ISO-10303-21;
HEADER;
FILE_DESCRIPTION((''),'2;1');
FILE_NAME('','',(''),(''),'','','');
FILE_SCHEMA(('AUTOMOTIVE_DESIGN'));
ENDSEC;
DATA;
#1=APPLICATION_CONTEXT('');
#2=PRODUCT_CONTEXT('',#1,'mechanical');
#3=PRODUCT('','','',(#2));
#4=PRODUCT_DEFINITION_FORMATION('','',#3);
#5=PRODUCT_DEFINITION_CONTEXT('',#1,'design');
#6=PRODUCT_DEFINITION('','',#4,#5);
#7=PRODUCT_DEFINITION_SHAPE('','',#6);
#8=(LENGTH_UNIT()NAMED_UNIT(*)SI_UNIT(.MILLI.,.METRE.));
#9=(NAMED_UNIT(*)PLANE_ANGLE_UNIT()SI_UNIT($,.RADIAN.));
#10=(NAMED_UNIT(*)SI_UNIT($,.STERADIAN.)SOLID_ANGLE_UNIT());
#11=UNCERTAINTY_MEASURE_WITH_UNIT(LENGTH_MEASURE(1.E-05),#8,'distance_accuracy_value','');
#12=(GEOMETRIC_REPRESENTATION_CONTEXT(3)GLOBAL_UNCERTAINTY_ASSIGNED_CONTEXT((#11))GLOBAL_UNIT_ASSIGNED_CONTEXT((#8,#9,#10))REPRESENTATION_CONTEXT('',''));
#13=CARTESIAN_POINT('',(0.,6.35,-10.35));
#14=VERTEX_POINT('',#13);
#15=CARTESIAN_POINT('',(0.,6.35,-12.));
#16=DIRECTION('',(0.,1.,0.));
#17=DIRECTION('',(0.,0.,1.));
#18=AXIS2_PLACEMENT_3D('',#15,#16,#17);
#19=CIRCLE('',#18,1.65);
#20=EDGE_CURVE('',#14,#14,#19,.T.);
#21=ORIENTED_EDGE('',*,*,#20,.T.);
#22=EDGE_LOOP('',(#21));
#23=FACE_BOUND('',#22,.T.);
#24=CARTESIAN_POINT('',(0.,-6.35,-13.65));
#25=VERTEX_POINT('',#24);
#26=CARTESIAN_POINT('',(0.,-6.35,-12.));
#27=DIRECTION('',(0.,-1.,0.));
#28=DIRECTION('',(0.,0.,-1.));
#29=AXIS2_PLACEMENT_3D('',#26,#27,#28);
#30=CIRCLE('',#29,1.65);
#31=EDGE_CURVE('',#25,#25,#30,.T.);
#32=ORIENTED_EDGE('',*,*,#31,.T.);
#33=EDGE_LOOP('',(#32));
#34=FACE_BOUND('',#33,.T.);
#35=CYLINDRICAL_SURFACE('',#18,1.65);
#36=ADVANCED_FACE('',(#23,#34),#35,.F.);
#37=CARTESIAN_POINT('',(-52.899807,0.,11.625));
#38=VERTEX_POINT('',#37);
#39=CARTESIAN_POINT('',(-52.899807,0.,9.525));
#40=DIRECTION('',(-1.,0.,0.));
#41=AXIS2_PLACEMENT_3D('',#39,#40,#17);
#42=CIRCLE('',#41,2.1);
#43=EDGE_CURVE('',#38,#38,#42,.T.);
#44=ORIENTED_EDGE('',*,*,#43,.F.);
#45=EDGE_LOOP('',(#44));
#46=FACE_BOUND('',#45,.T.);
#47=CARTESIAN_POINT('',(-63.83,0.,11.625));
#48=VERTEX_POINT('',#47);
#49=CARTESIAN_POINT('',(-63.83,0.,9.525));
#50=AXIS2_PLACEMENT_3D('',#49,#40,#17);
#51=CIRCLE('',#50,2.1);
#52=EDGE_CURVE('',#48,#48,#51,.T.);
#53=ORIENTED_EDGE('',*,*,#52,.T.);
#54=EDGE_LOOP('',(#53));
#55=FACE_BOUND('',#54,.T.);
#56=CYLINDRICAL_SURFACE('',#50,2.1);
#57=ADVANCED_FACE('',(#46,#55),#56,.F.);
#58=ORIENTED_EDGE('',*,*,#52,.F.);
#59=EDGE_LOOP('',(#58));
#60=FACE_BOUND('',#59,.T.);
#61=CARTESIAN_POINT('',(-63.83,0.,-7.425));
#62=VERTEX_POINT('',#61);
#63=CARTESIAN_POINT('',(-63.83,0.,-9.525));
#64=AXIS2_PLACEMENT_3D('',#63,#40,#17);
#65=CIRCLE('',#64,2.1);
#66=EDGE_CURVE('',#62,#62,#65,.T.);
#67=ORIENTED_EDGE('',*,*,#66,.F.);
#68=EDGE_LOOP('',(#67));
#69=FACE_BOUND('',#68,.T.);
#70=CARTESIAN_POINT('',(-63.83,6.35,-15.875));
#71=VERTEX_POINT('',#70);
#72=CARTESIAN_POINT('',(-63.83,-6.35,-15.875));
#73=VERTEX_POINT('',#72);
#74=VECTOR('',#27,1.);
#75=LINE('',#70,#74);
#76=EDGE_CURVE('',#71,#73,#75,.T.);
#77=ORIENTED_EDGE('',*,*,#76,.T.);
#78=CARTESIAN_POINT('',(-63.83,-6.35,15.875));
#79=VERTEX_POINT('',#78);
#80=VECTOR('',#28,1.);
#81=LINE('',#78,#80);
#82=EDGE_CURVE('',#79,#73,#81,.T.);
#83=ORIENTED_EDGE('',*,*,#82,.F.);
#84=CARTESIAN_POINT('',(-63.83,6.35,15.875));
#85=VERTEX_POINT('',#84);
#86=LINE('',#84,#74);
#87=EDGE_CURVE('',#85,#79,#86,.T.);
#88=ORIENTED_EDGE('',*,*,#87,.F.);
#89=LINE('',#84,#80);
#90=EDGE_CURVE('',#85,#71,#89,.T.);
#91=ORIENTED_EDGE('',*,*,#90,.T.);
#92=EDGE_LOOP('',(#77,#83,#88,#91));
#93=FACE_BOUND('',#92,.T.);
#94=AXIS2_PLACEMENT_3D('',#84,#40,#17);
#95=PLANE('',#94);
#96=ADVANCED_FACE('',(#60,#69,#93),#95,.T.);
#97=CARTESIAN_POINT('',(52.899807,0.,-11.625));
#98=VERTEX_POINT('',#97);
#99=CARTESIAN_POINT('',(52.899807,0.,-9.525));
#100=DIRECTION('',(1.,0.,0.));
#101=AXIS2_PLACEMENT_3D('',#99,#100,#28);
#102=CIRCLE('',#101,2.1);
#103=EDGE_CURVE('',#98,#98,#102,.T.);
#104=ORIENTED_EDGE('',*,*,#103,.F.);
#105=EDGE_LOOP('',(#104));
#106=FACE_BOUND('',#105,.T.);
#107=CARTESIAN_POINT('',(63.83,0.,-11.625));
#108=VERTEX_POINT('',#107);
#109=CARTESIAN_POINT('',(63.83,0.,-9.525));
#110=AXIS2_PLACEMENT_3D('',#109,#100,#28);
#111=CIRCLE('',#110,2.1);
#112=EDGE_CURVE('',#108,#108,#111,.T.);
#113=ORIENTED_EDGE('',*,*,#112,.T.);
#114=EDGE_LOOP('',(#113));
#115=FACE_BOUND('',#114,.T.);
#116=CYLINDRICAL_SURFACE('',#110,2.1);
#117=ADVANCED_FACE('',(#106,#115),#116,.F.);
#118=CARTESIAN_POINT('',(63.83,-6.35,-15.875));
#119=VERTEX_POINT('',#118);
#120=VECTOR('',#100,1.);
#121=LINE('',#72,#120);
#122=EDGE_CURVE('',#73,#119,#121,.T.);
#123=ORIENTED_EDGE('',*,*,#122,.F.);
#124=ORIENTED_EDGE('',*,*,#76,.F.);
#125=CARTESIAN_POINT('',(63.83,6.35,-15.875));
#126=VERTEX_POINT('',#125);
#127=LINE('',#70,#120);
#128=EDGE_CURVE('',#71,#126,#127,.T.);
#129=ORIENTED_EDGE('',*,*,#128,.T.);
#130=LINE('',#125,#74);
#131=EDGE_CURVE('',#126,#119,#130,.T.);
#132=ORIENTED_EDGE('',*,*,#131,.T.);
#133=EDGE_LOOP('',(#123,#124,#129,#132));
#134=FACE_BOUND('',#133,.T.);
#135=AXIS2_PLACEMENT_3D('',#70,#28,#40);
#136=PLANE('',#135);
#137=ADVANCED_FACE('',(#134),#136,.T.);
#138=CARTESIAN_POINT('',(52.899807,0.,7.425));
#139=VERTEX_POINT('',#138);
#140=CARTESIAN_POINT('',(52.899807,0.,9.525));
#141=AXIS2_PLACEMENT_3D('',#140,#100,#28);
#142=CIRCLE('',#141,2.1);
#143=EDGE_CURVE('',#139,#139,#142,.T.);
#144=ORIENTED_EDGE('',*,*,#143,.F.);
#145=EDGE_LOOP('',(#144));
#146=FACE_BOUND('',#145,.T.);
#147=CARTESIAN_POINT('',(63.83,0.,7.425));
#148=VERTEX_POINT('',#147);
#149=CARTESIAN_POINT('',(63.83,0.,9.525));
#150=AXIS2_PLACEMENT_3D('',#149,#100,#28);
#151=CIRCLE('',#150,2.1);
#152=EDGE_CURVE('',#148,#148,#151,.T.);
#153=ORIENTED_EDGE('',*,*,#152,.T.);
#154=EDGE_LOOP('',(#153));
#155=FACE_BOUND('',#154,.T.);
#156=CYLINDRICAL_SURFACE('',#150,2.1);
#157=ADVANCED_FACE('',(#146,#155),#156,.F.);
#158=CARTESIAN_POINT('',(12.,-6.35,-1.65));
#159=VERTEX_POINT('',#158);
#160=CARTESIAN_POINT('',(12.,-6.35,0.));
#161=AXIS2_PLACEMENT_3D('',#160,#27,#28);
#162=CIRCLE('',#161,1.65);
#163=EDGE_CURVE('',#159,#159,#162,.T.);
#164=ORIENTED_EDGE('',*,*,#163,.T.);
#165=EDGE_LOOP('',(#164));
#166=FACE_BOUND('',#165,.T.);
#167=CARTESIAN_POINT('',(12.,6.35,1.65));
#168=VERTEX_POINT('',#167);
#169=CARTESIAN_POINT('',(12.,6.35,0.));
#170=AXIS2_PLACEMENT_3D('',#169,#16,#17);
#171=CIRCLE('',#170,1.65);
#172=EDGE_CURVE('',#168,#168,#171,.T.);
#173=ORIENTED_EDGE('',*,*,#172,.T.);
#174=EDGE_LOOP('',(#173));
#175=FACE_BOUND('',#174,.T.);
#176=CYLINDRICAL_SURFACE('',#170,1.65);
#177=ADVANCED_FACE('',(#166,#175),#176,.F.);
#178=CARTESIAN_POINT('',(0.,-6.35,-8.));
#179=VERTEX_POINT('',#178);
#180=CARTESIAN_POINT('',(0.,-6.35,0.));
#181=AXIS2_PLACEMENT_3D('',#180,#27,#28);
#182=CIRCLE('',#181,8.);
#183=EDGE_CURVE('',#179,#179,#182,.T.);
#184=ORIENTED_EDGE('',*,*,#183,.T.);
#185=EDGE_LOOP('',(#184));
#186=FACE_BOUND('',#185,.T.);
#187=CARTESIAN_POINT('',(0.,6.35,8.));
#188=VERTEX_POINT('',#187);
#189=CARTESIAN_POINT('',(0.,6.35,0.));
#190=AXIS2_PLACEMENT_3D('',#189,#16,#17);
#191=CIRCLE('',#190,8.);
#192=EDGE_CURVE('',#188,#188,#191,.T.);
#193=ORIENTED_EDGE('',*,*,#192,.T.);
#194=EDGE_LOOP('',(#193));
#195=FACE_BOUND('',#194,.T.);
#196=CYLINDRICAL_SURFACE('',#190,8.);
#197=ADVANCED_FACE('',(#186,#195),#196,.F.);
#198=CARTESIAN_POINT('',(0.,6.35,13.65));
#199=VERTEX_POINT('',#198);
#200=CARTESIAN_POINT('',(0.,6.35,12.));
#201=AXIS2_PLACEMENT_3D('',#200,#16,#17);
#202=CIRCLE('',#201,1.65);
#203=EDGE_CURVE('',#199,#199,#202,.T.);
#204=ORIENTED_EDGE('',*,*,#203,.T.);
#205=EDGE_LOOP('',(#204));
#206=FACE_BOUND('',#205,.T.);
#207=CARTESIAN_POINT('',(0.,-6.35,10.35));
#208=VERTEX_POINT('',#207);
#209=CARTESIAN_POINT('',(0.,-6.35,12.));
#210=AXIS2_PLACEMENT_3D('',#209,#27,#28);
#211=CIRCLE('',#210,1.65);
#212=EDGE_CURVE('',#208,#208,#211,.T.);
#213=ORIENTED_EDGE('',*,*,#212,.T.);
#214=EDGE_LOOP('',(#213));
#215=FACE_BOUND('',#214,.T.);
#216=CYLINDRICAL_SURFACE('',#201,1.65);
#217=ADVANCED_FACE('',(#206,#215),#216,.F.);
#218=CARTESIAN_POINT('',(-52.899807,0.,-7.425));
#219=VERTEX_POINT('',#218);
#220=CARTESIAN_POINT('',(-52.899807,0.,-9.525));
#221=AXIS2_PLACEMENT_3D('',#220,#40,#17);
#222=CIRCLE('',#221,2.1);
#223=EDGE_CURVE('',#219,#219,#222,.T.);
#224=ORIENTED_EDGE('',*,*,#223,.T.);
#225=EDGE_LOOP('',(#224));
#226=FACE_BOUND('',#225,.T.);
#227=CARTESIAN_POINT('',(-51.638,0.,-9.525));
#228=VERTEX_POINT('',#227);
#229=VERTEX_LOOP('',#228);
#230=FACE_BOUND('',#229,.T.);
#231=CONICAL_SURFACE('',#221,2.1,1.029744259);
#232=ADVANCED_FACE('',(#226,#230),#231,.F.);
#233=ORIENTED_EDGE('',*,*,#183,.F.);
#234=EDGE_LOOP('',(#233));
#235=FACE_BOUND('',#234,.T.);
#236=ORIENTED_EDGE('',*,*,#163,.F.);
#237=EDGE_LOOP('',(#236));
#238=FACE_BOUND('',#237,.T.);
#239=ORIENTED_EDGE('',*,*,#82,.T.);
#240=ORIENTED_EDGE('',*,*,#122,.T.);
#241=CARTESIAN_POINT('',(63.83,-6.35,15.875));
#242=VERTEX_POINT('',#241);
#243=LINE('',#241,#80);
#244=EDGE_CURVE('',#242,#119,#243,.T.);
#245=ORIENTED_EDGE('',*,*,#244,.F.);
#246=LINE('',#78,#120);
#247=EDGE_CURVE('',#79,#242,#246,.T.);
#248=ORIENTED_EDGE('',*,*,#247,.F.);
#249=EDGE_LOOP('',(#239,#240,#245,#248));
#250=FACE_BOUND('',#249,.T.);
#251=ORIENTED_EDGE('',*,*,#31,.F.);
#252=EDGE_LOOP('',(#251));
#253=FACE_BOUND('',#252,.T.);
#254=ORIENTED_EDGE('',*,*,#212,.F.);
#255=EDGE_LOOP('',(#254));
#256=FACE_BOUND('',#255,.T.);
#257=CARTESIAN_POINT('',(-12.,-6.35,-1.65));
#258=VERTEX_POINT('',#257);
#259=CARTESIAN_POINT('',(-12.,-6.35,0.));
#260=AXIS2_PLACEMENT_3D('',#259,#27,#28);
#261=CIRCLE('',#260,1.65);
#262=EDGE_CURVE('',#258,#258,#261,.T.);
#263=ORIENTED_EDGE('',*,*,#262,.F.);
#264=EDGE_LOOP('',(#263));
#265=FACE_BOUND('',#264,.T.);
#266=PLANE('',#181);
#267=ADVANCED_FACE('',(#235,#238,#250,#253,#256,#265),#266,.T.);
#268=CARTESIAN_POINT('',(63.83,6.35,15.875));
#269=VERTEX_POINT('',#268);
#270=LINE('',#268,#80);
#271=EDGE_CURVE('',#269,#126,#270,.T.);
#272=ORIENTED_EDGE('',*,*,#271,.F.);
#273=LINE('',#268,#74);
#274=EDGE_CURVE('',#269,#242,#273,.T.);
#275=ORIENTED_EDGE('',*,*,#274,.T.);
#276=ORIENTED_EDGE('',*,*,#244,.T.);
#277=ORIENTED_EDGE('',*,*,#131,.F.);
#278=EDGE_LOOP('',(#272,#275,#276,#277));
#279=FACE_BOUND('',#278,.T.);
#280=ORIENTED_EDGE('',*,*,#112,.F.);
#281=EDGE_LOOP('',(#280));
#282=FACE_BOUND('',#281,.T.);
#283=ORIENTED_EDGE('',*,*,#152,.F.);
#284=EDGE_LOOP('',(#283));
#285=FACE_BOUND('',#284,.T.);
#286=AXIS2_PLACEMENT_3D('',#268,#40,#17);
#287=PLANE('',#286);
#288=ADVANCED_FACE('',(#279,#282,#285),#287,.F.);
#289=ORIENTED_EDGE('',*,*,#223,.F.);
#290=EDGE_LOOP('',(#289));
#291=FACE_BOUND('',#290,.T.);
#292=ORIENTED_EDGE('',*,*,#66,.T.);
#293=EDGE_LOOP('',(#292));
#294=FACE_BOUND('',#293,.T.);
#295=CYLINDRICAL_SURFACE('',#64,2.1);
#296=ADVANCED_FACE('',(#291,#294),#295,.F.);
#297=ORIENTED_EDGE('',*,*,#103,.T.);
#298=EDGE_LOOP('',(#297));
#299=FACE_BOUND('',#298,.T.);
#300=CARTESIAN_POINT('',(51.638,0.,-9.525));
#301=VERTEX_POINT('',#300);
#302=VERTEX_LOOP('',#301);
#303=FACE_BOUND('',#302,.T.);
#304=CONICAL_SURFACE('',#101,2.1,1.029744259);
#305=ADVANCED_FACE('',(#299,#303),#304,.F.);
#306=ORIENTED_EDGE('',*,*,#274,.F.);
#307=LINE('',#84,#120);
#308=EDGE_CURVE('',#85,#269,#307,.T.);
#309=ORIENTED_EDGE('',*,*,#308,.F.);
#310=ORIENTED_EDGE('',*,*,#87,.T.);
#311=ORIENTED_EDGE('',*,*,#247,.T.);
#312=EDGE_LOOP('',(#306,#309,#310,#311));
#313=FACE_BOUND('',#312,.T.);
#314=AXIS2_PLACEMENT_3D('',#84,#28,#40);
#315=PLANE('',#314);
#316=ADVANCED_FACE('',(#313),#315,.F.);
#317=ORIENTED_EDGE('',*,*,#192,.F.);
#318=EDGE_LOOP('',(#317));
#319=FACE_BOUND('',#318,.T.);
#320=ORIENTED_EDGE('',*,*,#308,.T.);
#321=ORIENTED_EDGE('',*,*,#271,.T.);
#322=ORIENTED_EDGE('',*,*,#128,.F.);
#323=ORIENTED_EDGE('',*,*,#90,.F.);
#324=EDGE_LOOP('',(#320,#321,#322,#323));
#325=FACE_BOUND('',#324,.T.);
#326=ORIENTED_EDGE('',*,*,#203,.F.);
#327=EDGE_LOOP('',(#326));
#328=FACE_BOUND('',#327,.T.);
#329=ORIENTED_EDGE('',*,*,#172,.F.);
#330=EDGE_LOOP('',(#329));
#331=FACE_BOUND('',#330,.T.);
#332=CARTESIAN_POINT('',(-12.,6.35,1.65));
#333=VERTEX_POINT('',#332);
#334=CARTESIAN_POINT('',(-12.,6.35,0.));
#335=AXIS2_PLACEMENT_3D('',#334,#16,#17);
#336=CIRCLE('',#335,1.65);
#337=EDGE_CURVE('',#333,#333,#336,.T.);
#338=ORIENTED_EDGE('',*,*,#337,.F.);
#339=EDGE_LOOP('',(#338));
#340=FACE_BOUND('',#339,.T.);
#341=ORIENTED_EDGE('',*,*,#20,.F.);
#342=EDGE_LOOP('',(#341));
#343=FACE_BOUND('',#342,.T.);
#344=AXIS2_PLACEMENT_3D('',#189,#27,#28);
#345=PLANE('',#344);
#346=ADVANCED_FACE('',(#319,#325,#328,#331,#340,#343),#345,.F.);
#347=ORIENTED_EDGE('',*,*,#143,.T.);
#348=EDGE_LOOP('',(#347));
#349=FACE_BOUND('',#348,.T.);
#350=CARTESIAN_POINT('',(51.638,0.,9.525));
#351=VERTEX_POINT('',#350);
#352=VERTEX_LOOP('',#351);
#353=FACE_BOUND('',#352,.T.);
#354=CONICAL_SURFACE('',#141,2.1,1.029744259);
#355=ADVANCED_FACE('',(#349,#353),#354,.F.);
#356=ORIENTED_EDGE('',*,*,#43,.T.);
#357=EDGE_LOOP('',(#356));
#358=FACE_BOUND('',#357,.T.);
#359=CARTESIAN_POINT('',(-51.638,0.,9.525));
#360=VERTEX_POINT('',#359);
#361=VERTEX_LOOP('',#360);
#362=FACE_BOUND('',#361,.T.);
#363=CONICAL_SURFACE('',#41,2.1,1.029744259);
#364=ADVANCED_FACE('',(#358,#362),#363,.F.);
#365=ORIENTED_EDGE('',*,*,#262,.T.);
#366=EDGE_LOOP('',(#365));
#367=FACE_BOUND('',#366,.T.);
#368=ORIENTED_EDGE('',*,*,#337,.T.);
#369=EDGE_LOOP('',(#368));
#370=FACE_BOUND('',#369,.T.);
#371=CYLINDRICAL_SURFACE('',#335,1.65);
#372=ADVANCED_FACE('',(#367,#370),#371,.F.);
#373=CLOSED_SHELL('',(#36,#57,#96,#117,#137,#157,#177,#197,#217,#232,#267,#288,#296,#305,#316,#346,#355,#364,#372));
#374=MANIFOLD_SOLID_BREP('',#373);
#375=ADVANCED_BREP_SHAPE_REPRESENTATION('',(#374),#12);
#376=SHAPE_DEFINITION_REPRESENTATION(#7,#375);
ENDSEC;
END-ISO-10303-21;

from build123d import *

# Parameters (mm, degrees)
SKETCH1_W                      = 127.660000204
SKETCH1_H                      = 31.75
BOSS_EXTRUDE1_DEPTH            = 6.35
M5X0_8_TAPPED_HOLE1_AT_2_COUNT = 2
M5X0_8_TAPPED_HOLE1_AT_2_PITCH = 19.05
F_16_0MM_DOWEL_HOLE1_D         = 16
TAP_DRILL_FOR_M4X0_7_TAP1_D    = 3.3


with BuildPart() as part:
    # Sketch1 → Boss-Extrude1 (new, symmetric)
    with BuildSketch(Plane(origin=(0, 0, 0), x_dir=(1, 0, 0), z_dir=(0, 1, 0))):
        Rectangle(SKETCH1_W, SKETCH1_H)
    extrude(amount=BOSS_EXTRUDE1_DEPTH, both=True)

    # Sketch4 → M5x0.8 Tapped Hole1 (revolve, cut)
    with BuildSketch(Plane(origin=(-63.830000102, 0, 9.525), x_dir=(0, 0, 1), z_dir=(0, 1, 0))):
        Polygon((0, 0), (0, 12.192), (2.1, 10.9301927), (2.1, 0), align=None)
    m5x0_8_tapped_hole1 = revolve(axis=Axis((-70.180000102, 0, 9.525), (1, 0, 0)), mode=Mode.SUBTRACT)

    # M5x0.8 Tapped Hole1 at 2: M5x0.8 Tapped Hole1 ×2
    with Locations(*[(0, 0, -i * M5X0_8_TAPPED_HOLE1_AT_2_PITCH) for i in range(1, M5X0_8_TAPPED_HOLE1_AT_2_COUNT)]):
        add(m5x0_8_tapped_hole1, mode=Mode.SUBTRACT)

    # Mirror1: M5x0.8 Tapped Hole1 across plane
    add(m5x0_8_tapped_hole1.mirror(Plane(origin=(0, 0, 0), x_dir=(0, 0, 1), z_dir=(1, 0, 0))), mode=Mode.SUBTRACT)

    # Mirror1 copy 1 sketch → Mirror1 copy 1 (revolve, cut)
    with BuildSketch(Plane(origin=(63.830000102, 0, -9.525), x_dir=(0, 0, 1), z_dir=(0, 1, 0))):
        Polygon((0, 0), (0, -12.192), (2.1, -10.9301927), (2.1, 0), align=None)
    revolve(axis=Axis((70.180000102, 0, -9.525), (1, 0, 0)), mode=Mode.SUBTRACT)

    # Ø16.0mm Dowel Hole1 (through all)
    with Locations(Plane(origin=(0, 6.35, 0), x_dir=(1, 0, 0), z_dir=(0, 1, 0))):
        with Locations((0, 0)):
            Hole(F_16_0MM_DOWEL_HOLE1_D / 2)

    # Tap Drill for M4x0.7 Tap1 (through all)
    with Locations(Plane(origin=(0, 6.35, 0), x_dir=(1, 0, 0), z_dir=(0, 1, 0))):
        with Locations((0, 12), (12, 0), (-12, 0), (0, -12)):
            Hole(TAP_DRILL_FOR_M4X0_7_TAP1_D / 2)


solid = part.part
